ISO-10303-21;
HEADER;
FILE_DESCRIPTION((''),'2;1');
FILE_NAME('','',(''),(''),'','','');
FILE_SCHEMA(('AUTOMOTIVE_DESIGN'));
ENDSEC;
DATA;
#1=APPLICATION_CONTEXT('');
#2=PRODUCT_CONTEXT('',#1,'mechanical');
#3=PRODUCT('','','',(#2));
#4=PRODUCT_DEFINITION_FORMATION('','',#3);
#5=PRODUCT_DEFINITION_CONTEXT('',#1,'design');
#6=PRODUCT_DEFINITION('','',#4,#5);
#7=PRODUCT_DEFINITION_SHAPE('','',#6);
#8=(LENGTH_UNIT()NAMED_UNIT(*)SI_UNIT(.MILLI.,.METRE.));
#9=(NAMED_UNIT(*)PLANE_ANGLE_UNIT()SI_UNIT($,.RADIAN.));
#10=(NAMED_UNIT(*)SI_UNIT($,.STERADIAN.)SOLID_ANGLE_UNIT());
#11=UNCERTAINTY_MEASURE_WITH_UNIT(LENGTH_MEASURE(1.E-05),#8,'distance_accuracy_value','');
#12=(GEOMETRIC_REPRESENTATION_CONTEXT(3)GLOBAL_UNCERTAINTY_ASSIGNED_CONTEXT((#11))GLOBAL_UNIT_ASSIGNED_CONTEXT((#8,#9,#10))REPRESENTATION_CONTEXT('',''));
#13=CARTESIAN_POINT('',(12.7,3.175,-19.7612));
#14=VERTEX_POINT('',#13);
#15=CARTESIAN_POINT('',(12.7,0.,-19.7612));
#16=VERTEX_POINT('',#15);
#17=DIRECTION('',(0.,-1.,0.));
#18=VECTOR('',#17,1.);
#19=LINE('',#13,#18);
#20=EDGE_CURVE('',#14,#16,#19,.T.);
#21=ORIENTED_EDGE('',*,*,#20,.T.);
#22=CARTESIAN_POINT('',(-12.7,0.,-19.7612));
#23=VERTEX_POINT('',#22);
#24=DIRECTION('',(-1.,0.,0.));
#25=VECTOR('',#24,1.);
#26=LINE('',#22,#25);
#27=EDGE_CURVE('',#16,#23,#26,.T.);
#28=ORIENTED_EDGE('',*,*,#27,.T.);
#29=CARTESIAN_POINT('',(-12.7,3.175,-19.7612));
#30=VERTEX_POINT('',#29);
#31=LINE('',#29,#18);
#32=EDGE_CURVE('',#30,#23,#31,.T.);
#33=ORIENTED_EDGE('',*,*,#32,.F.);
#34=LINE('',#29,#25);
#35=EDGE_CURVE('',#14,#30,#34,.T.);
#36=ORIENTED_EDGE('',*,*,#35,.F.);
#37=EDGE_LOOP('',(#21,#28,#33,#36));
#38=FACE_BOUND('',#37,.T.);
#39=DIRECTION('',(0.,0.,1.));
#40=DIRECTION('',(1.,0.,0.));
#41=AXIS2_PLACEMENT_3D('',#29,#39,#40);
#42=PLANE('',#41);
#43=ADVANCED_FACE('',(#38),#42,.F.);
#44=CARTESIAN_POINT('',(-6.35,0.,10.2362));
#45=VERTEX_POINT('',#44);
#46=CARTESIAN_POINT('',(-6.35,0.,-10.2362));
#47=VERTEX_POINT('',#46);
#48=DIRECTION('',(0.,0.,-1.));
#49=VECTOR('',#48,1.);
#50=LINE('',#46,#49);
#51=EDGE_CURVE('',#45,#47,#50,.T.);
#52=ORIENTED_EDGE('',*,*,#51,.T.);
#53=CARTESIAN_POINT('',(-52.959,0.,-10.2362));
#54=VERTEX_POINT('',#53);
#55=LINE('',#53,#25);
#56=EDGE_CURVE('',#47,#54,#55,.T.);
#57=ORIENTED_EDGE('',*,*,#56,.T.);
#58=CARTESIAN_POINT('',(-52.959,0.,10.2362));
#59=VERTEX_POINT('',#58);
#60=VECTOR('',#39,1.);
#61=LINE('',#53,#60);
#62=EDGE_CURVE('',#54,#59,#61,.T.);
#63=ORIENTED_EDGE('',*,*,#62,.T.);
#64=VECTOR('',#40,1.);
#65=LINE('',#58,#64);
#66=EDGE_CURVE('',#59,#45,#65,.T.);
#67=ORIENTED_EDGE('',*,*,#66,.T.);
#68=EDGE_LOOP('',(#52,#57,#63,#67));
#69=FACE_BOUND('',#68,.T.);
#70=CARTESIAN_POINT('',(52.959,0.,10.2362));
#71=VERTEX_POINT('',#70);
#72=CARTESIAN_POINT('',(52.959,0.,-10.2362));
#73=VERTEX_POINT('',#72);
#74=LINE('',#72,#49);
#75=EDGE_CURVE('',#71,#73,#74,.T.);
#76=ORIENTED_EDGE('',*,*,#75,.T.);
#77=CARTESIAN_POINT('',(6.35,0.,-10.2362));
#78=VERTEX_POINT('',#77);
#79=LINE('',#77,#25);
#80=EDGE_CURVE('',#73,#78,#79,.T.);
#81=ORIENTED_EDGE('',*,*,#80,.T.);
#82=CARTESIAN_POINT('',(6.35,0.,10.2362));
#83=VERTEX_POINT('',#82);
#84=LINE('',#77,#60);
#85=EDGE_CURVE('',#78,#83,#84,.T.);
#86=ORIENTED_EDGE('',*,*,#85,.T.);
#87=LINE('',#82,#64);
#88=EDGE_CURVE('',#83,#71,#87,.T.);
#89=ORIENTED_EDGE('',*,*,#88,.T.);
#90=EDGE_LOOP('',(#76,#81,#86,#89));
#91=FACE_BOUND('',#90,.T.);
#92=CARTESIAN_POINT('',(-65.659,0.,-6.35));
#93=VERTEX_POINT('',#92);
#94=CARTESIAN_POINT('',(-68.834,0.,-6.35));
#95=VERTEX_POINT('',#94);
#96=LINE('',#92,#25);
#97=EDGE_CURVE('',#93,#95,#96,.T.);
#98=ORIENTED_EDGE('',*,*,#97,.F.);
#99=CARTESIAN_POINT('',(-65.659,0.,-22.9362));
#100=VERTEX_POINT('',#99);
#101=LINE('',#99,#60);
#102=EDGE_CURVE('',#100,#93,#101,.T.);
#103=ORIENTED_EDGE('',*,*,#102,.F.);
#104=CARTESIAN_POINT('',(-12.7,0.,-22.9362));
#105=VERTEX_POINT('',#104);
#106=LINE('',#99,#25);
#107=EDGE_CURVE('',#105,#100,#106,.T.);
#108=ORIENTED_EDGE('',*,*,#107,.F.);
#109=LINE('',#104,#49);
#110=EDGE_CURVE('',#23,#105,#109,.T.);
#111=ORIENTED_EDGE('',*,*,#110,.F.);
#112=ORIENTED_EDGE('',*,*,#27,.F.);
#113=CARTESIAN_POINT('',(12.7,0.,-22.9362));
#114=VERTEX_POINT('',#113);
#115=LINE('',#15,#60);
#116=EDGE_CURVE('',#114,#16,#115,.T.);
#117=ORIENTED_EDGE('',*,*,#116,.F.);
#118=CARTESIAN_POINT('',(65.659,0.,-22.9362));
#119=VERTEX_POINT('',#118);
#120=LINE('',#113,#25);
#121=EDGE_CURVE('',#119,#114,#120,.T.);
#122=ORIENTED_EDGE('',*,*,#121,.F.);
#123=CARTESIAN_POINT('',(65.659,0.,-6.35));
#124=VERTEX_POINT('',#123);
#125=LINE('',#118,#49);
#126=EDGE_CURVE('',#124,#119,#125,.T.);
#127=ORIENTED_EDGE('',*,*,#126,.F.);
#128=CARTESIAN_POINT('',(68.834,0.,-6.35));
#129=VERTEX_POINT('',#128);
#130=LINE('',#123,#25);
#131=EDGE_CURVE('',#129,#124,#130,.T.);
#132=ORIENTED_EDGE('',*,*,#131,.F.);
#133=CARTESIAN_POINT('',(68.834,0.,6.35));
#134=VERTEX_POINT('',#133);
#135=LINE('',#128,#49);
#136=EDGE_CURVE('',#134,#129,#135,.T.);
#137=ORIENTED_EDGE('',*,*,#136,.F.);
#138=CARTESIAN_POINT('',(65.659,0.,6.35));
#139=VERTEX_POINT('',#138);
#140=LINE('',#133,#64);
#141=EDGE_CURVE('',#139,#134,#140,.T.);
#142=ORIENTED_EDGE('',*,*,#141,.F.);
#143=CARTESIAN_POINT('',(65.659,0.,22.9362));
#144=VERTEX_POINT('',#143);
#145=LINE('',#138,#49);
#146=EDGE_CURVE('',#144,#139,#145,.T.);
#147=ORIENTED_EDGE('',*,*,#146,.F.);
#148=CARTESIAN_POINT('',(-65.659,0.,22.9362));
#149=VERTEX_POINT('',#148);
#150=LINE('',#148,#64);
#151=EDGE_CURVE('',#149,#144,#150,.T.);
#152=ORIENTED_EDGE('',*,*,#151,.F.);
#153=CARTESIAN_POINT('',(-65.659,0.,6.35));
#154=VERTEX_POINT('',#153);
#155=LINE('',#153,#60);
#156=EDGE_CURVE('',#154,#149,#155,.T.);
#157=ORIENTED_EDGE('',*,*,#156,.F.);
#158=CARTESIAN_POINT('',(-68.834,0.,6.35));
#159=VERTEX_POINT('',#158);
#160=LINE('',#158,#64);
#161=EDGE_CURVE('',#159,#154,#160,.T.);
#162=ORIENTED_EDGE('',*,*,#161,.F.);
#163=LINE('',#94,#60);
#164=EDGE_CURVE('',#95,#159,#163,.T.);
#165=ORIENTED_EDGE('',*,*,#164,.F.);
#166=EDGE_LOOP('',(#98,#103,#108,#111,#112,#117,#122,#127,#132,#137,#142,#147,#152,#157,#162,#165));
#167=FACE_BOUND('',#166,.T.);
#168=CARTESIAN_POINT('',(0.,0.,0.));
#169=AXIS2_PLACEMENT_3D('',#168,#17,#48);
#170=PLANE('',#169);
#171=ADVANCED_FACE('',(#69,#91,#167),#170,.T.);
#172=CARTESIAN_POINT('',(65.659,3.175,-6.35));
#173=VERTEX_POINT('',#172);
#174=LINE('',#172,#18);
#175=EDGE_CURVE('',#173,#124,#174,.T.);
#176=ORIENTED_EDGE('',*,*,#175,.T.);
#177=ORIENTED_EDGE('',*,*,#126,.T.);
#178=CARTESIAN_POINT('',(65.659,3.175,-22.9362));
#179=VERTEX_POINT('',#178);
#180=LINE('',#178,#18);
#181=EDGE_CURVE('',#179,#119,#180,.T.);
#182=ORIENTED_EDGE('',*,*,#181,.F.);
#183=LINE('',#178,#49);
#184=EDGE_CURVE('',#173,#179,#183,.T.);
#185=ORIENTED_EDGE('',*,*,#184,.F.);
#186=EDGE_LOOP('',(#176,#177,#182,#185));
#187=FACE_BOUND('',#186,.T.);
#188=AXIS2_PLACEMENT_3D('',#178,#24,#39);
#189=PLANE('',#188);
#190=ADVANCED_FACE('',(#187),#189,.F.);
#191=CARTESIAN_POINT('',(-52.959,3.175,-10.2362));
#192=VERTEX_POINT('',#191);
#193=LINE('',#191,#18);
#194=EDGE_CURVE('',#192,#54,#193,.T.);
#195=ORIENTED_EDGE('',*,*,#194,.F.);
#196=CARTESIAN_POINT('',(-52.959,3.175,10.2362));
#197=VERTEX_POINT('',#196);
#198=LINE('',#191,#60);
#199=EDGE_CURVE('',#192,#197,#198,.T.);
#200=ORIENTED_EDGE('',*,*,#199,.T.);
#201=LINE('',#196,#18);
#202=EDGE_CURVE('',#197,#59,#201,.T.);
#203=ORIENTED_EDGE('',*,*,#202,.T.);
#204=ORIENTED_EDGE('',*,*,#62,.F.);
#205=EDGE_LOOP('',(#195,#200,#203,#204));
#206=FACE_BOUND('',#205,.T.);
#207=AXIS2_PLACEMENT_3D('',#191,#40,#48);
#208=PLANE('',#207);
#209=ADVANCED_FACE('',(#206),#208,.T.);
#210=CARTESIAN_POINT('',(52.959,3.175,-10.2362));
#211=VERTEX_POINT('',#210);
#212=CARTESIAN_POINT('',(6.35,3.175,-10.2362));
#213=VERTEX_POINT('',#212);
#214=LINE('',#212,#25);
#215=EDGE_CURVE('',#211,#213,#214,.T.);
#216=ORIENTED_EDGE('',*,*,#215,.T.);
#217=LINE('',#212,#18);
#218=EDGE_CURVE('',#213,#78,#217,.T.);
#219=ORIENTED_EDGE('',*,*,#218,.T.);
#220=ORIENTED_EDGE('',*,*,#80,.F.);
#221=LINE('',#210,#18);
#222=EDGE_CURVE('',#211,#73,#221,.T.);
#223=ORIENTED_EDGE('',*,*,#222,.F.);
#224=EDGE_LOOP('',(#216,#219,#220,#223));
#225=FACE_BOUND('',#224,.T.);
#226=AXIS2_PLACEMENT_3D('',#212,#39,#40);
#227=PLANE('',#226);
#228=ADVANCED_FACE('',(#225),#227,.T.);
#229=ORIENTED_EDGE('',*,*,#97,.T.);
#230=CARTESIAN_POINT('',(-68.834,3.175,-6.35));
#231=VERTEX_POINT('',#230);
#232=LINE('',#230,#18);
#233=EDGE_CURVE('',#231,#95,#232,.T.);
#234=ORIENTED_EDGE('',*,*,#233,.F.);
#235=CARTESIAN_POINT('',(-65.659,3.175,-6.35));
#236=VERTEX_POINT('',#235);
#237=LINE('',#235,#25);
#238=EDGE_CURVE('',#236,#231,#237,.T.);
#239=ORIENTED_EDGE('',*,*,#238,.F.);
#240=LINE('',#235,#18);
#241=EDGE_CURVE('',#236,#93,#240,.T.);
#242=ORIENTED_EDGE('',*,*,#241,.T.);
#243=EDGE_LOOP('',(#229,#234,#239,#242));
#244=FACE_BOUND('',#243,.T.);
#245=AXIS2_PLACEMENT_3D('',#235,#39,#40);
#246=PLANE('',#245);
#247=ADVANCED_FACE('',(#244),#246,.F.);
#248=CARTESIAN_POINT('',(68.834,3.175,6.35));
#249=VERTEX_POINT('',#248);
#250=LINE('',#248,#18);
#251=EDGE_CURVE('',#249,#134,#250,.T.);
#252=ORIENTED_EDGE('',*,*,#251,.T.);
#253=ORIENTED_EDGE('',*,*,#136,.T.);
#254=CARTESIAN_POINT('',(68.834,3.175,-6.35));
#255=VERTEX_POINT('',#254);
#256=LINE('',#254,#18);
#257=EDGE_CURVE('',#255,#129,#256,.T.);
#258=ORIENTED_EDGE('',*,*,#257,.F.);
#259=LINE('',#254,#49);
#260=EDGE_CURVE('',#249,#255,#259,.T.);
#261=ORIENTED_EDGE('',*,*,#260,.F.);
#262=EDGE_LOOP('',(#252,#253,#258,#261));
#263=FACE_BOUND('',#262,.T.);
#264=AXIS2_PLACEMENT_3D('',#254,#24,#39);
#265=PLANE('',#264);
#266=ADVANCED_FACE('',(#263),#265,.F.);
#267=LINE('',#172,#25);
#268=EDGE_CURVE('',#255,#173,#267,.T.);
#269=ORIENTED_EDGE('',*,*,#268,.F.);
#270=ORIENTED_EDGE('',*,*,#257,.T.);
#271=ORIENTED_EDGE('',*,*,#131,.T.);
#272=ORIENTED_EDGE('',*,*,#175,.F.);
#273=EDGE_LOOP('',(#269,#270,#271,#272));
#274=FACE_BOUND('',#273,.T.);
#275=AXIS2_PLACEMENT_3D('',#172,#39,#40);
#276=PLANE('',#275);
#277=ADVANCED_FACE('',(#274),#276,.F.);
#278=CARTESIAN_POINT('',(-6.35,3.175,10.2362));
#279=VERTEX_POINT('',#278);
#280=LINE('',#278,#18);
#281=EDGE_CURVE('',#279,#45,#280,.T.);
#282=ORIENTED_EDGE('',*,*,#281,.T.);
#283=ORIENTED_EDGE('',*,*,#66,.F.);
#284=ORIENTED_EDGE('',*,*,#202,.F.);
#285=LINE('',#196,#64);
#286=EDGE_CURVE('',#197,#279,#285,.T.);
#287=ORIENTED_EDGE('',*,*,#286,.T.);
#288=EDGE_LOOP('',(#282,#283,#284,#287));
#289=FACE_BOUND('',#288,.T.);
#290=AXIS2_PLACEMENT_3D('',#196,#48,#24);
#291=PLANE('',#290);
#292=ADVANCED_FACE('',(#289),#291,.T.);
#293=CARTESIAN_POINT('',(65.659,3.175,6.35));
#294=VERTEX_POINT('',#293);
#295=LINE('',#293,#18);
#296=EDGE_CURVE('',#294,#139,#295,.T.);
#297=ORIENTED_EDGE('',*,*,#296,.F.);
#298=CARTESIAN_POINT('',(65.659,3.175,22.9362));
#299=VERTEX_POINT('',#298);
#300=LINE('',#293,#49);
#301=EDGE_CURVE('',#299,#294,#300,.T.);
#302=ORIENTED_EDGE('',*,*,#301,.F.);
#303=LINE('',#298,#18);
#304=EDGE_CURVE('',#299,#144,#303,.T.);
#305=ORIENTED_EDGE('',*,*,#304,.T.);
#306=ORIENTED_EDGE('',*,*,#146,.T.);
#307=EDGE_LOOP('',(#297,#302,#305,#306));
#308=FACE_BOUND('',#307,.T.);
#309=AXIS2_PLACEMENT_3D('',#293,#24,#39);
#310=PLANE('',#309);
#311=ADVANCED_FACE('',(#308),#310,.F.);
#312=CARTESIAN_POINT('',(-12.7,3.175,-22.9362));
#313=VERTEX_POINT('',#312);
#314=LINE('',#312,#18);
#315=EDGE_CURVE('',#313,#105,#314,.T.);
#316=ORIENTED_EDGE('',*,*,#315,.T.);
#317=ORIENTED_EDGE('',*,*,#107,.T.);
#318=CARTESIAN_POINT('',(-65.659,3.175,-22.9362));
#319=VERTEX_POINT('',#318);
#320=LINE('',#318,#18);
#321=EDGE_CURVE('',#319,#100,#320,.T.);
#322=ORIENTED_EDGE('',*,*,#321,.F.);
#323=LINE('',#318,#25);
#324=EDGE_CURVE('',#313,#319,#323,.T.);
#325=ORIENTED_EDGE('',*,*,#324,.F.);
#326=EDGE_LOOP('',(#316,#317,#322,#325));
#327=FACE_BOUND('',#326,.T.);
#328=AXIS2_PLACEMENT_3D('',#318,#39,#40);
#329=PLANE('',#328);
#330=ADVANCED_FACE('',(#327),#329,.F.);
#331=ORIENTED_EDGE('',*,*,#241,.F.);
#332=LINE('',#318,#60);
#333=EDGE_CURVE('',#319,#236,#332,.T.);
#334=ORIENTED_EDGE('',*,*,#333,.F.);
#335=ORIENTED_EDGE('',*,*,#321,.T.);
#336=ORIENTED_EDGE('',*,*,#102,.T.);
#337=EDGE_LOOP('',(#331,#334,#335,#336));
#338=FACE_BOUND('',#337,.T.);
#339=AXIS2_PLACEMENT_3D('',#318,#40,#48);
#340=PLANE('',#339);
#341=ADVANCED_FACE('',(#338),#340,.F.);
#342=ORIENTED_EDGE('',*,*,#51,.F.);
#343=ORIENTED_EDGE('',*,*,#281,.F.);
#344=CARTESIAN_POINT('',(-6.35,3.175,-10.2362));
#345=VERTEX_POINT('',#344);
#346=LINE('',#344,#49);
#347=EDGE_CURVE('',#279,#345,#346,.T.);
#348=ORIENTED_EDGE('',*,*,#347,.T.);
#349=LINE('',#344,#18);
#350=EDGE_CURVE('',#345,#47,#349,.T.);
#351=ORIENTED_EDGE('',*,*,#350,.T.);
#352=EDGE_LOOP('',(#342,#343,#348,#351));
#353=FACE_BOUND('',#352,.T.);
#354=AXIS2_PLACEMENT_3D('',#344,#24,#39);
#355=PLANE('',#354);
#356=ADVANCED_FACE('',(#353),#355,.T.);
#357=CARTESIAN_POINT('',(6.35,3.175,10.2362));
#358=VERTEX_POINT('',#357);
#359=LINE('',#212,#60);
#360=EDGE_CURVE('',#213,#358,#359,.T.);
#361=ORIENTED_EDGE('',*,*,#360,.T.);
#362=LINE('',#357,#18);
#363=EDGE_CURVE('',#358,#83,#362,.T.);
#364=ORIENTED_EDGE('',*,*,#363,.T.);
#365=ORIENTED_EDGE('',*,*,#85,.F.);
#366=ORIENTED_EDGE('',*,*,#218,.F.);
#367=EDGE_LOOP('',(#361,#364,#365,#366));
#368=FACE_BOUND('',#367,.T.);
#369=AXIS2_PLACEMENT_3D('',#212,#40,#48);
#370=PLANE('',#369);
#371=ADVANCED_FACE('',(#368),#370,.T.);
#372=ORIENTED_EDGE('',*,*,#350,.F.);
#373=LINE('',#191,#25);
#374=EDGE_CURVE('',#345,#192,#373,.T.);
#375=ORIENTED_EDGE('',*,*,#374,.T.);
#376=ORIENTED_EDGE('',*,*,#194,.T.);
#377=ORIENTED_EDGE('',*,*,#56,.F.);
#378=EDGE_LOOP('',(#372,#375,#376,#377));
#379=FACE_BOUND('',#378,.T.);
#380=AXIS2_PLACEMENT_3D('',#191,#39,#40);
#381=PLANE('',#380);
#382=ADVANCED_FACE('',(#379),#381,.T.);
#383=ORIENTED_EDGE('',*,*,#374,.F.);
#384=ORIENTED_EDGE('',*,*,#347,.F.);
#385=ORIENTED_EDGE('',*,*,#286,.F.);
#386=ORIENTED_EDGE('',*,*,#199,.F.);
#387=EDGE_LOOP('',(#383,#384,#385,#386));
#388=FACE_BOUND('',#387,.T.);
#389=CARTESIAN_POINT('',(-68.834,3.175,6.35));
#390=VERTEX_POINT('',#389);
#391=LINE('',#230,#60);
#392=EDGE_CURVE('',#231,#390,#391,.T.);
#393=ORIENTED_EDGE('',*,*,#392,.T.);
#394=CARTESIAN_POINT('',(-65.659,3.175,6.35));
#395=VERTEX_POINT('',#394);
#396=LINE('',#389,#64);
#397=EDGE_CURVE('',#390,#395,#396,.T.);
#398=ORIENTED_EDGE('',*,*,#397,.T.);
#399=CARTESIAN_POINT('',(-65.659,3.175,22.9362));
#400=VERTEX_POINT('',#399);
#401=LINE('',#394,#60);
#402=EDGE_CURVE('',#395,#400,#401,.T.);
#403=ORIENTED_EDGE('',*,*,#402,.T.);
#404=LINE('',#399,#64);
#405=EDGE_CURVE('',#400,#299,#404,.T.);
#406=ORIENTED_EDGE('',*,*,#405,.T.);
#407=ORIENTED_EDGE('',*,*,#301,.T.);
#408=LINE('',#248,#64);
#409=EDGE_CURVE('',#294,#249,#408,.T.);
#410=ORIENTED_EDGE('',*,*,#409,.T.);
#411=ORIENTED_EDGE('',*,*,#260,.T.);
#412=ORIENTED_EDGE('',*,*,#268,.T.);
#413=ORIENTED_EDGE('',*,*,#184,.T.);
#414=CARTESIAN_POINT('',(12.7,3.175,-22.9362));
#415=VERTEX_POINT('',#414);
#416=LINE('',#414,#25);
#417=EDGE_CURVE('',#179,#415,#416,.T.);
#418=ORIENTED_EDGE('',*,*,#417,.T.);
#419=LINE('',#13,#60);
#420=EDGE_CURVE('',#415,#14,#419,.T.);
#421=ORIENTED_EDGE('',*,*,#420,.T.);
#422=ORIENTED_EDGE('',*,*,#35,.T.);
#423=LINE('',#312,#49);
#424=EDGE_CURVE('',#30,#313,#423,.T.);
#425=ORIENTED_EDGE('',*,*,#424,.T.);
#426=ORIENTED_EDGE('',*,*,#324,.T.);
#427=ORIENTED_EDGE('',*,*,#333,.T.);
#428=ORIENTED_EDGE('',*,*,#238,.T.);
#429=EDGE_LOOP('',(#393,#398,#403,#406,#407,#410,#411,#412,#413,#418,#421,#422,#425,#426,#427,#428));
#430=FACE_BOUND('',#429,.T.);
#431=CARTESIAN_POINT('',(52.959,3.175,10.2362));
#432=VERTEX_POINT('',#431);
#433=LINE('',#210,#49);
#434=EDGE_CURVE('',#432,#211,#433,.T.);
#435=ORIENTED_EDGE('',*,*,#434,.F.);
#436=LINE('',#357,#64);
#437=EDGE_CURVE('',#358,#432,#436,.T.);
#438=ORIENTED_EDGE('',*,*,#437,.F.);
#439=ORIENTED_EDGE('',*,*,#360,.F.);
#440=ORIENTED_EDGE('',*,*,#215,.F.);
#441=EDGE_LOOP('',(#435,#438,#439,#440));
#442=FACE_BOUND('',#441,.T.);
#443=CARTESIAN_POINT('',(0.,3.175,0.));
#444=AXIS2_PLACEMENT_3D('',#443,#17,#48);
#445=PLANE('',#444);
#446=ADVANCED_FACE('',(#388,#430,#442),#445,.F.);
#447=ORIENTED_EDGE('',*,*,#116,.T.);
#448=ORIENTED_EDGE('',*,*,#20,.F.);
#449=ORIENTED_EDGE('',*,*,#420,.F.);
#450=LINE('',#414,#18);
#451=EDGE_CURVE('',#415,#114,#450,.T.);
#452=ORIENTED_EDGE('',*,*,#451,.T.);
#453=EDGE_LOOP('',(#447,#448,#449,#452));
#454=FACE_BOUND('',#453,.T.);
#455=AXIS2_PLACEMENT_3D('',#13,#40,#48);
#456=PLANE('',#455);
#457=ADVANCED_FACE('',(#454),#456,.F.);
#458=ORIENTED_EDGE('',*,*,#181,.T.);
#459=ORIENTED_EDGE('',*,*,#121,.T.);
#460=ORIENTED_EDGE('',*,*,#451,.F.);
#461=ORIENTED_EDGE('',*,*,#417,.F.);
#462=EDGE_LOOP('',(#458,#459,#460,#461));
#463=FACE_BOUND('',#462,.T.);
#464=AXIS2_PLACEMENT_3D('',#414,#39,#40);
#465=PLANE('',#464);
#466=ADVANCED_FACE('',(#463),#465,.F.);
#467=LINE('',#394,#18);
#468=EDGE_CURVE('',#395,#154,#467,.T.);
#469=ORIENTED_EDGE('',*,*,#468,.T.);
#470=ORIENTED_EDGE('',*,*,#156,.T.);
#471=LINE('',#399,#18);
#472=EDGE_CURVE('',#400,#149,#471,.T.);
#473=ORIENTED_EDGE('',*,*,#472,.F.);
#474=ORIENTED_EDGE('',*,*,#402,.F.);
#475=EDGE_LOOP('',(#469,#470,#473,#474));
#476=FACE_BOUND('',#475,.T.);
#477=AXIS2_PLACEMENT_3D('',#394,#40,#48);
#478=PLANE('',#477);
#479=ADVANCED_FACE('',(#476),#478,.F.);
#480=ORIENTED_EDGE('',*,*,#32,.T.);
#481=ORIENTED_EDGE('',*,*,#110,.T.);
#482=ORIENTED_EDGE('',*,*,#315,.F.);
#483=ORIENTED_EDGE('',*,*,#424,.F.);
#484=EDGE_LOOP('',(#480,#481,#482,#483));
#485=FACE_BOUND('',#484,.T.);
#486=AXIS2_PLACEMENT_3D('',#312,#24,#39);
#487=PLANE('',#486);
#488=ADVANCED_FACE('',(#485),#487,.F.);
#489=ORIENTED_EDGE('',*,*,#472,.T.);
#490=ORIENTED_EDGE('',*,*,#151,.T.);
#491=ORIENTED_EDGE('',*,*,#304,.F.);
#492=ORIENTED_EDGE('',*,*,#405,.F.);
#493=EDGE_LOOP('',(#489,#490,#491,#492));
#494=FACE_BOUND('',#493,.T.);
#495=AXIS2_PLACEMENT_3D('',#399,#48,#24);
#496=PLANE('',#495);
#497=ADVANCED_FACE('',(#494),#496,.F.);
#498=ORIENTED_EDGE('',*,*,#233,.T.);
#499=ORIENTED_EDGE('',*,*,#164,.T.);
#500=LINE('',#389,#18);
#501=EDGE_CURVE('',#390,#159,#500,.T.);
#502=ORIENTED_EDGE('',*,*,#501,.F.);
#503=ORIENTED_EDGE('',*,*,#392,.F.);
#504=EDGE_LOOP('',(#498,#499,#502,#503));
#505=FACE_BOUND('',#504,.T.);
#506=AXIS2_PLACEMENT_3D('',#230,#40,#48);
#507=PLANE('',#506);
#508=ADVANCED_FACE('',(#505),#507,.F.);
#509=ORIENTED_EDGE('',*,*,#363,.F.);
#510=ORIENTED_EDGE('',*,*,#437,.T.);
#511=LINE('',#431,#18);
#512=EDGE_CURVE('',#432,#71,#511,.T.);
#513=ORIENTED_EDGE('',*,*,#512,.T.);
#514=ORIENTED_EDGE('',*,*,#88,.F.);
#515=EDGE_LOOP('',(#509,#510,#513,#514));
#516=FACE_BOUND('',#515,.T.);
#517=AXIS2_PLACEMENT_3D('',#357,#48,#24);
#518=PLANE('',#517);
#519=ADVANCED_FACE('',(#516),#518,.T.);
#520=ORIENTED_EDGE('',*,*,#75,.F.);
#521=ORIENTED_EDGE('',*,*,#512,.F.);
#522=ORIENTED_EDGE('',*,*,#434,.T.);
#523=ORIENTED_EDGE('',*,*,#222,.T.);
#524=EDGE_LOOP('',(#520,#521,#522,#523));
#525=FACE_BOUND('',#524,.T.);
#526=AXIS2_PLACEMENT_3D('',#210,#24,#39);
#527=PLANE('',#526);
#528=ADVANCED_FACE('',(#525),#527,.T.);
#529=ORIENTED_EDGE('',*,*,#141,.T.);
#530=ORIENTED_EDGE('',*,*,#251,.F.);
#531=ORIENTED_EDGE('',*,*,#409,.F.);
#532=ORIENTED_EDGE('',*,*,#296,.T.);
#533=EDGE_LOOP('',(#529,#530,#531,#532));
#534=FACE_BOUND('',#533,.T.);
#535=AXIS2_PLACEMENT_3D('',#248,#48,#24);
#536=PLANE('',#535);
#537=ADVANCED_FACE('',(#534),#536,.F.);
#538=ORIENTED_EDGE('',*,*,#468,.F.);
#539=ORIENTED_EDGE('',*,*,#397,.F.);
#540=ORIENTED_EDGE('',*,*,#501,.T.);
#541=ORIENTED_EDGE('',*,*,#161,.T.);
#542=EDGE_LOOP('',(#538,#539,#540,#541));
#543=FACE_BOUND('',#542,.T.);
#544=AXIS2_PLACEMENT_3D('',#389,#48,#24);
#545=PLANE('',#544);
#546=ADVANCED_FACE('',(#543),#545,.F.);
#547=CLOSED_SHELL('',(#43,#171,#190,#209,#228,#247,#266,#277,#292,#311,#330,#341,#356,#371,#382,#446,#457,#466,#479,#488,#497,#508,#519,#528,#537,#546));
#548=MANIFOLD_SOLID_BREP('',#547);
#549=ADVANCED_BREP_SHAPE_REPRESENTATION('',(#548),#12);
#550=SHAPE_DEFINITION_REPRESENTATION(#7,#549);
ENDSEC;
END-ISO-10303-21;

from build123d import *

# Parameters (mm, degrees)
SKETCH1_W           = 46.609
SKETCH1_H           = 20.4724
BOSS_EXTRUDE1_DEPTH = 3.175


with BuildPart() as part:
    # Sketch1 → Boss-Extrude1 (new body)
    with BuildSketch(Plane(origin=(0, 0, 0), x_dir=(1, 0, 0), z_dir=(0, 1, 0))):
        Polygon((-65.659, 22.9362), (-12.7, 22.9362), (-12.7, 19.7612), (12.7, 19.7612), (12.7, 22.9362), (65.659, 22.9362), (65.659, 6.35), (68.834, 6.35), (68.834, -6.35), (65.659, -6.35), (65.659, -22.9362), (-65.659, -22.9362), (-65.659, -6.35), (-68.834, -6.35), (-68.834, 6.35), (-65.659, 6.35), align=None)
        with Locations((-29.6545, 0)):
            Rectangle(SKETCH1_W, SKETCH1_H, mode=Mode.SUBTRACT)
        with Locations((29.6545, 0)):
            Rectangle(SKETCH1_W, SKETCH1_H, mode=Mode.SUBTRACT)
    extrude(amount=BOSS_EXTRUDE1_DEPTH)


solid = part.part
